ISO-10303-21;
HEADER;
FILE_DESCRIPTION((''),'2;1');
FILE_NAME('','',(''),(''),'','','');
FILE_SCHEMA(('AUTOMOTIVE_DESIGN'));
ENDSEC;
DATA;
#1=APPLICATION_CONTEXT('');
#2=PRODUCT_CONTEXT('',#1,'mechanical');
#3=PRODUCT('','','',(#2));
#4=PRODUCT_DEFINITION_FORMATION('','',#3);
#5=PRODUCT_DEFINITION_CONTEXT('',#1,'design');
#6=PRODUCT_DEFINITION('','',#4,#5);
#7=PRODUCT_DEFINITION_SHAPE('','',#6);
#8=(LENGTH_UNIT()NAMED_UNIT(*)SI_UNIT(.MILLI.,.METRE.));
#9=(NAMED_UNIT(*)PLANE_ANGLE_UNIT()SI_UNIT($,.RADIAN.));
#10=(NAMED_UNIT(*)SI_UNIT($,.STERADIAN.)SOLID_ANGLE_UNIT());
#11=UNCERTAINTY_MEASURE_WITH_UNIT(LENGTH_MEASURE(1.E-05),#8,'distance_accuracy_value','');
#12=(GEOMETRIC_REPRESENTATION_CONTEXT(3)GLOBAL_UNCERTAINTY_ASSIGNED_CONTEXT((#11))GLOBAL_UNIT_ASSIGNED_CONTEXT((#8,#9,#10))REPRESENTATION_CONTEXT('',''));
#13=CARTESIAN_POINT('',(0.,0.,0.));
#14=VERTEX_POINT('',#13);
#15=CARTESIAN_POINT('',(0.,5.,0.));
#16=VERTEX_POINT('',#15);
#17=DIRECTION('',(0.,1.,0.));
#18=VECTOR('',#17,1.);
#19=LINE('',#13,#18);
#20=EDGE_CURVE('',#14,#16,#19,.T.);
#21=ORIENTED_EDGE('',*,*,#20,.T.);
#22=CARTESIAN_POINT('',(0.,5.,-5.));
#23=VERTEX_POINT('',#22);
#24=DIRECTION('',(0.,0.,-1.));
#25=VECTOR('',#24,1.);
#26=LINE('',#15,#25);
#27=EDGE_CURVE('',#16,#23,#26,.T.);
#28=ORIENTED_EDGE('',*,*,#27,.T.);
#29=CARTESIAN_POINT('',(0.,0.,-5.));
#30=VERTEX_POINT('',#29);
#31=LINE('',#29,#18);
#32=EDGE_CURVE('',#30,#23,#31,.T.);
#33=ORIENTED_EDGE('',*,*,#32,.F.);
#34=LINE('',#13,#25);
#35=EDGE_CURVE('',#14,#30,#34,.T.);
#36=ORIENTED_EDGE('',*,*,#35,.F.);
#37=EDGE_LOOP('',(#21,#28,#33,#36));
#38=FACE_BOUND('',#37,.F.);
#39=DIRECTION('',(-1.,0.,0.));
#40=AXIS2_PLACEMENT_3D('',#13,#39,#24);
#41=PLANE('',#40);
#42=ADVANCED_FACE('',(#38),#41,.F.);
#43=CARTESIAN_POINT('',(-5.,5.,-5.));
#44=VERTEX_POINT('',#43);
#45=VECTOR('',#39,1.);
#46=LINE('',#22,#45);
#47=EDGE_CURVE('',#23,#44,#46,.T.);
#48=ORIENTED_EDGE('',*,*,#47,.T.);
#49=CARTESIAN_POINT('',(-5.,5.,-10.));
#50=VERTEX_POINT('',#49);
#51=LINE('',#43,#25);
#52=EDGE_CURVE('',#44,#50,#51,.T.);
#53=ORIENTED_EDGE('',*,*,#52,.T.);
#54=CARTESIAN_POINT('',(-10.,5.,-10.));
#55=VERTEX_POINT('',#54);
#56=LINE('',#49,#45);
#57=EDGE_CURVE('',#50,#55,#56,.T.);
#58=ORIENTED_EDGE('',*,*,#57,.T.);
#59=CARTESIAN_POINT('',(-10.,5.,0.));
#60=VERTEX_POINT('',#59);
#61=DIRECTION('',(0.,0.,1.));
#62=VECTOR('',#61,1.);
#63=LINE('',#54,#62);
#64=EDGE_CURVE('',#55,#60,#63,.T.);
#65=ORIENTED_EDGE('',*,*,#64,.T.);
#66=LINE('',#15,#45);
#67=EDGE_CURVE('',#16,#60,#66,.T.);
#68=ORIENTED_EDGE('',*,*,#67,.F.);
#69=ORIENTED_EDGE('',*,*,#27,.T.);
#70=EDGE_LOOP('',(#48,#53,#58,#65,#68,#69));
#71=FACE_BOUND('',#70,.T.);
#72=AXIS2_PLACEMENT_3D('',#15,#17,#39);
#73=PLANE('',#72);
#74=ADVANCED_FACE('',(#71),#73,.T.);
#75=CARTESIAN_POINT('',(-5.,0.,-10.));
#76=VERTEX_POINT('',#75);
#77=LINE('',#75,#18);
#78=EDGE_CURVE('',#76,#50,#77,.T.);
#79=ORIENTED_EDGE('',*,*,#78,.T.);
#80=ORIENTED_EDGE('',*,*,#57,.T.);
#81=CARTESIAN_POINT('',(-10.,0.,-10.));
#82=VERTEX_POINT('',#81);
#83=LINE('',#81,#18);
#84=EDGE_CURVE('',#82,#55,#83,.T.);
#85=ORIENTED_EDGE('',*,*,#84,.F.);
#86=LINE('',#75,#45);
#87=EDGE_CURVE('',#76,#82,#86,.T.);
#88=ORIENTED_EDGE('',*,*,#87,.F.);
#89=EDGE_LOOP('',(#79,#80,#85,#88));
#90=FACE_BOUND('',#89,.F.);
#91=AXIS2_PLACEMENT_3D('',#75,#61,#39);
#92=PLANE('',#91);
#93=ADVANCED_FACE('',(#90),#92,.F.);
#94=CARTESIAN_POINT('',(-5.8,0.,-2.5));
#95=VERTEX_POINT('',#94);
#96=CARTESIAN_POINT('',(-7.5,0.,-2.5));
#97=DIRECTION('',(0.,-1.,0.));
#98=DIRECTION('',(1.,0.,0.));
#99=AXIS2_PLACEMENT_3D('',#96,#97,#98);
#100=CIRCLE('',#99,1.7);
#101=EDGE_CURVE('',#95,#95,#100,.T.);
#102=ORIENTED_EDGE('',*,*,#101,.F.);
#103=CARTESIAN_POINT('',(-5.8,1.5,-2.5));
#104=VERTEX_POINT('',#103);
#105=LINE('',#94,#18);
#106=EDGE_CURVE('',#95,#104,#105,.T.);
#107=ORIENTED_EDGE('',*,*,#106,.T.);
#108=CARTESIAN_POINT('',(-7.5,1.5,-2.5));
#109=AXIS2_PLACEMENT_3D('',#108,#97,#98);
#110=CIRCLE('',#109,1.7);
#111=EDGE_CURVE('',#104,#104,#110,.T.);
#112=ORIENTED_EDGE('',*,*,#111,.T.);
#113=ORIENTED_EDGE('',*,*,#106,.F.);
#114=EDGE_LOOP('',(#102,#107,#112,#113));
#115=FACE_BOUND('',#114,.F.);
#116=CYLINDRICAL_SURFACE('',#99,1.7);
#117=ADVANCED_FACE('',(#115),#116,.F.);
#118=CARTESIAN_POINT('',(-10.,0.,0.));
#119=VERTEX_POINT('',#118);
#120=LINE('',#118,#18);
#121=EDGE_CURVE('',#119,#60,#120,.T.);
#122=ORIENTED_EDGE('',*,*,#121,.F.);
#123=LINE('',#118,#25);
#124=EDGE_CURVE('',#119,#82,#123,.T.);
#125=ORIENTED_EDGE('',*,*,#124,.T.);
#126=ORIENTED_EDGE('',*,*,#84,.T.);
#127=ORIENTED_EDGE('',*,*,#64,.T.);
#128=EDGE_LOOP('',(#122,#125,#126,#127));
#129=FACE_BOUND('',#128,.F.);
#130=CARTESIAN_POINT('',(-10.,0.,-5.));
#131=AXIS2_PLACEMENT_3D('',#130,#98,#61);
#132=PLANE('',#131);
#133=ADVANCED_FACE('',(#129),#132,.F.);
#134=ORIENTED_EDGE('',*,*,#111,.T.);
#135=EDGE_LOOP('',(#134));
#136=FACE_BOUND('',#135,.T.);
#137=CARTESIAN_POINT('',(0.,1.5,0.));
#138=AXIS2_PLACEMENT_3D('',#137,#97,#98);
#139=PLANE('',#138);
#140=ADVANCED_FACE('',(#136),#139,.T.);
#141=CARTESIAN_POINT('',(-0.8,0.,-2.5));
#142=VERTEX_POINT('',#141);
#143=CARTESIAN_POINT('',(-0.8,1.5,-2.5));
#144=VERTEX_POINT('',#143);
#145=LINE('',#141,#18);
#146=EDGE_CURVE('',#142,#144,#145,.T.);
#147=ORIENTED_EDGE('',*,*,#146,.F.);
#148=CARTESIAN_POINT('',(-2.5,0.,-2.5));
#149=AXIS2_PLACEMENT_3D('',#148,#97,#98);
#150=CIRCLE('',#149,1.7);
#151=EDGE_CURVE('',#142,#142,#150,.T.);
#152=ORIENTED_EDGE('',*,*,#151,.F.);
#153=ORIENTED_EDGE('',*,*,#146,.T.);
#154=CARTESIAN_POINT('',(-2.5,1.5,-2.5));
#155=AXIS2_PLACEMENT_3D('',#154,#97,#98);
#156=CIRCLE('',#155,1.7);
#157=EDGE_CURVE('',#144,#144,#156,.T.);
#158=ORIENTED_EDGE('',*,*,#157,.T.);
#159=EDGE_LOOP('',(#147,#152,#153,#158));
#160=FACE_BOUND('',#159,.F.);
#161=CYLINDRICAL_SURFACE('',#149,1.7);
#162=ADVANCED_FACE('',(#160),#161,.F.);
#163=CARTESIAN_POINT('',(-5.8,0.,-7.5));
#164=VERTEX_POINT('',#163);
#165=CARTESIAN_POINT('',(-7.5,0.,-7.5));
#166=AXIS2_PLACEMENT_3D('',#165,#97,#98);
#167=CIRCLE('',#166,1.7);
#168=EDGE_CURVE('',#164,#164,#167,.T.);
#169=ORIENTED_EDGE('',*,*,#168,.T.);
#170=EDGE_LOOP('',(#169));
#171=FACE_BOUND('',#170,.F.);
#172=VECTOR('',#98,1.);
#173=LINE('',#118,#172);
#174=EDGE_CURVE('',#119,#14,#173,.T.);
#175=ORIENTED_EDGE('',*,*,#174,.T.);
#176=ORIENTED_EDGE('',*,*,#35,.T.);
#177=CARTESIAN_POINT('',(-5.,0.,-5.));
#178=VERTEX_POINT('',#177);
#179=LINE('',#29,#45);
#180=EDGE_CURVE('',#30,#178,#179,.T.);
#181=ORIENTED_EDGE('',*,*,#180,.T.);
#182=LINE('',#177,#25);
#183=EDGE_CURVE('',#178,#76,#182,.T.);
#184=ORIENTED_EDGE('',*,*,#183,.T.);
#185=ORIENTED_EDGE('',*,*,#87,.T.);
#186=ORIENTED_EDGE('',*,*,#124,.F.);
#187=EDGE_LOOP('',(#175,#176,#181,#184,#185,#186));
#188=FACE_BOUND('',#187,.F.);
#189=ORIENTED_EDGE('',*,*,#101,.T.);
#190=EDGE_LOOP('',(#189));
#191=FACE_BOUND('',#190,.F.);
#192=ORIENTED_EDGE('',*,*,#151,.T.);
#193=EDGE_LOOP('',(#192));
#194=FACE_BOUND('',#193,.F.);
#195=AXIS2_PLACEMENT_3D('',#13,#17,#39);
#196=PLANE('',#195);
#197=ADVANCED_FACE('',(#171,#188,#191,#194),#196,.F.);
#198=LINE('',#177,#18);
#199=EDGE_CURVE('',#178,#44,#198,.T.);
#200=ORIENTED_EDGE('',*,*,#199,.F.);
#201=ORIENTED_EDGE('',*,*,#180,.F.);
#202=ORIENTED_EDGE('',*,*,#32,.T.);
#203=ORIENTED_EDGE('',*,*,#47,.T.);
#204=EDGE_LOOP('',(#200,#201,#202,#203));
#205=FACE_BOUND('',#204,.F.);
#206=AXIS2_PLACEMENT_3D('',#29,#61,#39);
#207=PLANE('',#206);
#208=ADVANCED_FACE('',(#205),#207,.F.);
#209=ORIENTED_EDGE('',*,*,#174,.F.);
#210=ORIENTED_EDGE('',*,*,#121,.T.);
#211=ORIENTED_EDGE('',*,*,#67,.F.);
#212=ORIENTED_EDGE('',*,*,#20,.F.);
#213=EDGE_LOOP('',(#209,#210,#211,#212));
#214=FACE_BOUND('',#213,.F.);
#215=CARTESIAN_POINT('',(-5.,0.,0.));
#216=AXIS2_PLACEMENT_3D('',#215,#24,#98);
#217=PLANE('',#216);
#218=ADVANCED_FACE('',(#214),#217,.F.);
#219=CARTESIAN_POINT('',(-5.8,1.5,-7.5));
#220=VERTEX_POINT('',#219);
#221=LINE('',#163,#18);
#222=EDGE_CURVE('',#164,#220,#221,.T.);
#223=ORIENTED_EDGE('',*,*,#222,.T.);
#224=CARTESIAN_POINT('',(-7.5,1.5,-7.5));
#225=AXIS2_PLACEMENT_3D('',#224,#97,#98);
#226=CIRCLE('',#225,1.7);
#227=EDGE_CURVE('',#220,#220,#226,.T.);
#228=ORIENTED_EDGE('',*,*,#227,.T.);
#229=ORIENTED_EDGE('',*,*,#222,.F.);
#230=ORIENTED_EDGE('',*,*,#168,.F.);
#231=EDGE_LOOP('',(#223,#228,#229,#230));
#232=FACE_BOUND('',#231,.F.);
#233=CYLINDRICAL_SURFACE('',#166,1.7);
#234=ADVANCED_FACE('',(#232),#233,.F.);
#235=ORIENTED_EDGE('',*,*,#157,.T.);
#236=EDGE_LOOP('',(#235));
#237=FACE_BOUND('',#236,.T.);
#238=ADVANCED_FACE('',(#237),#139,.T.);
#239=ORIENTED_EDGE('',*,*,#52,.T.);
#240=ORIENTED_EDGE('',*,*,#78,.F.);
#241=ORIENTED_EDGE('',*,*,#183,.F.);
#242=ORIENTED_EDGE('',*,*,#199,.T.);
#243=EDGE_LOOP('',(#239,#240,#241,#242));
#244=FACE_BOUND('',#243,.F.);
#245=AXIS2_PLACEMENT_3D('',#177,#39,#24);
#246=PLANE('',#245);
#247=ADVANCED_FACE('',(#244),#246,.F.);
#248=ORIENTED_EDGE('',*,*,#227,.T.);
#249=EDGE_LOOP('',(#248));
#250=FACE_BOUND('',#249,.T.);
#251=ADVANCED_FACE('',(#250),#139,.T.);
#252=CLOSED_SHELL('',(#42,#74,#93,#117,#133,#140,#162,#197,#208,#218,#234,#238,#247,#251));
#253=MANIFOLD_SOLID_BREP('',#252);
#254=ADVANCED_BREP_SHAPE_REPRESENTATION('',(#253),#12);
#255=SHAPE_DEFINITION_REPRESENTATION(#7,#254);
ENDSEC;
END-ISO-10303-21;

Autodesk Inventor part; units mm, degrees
ref_plane "YZ Plane" through (0, 0, 0) normal (1, 0, 0) x (0, 1, 0)
ref_plane "XZ Plane" through (0, 0, 0) normal (0, 1, 0) x (-1, 0, 0)
ref_plane "XY Plane" through (0, 0, 0) normal (0, 0, 1) x (1, 0, 0)
sketch "草圖1" plane through (0, 0, 0) normal (0, 1, 0) x (-1, 0, 0)
  line L0 (0, 0) -> (0, -5)
  line L1 (0, -5) -> (5, -5)
  line L2 (5, -5) -> (5, -10)
  line L3 (5, -10) -> (10, -10)
  line L4 (10, -10) -> (10, 0)
  line L5 (10, 0) -> (0, 0)
  circle A0 centre (7.5, -2.5) radius 1.7
  line L6 (10, -15) -> (10, -5)
  circle A1 centre (7.5, -7.5) radius 1.7
  line L7 (5, -10) -> (5, 0)
  circle A2 centre (2.5, -2.5) radius 1.7
  line L8 (5, -15) -> (5, -5)
  circle A3 centre (2.5, -7.5) radius 1.7
  dimension "d0" = 10
  dimension "d1" = 5
  dimension "d2" = 5
  dimension "d3" = 5
  dimension "d4" = 3.4
  dimension "d5" = 2.5
  dimension "d6" = 2.5
  dimension "d9" = 5
  dimension "d12" = 5
extrude "擠出1" add sketch "草圖1" along normal blind 5 contours L5 L7 L1 L0 | L5 L4 L3 L2 L7 | A0 | A1 | A2
sketch "草圖2" plane through (0, 0, 0) normal (0, -1, 0) x (1, 0, 0)
  circle A0 centre (-2.5, -2.5) radius 1.7 projected
  circle A1 centre (-7.5, -2.5) radius 1.7 projected
  circle A2 centre (-7.5, -7.5) radius 1.7 projected
  point P0 (0, 0)
extrude "擠出2" cut sketch "草圖2" against normal blind 1.5
properties part number "110033226_ipt_31_城堡四圓塔的頂部角落"
